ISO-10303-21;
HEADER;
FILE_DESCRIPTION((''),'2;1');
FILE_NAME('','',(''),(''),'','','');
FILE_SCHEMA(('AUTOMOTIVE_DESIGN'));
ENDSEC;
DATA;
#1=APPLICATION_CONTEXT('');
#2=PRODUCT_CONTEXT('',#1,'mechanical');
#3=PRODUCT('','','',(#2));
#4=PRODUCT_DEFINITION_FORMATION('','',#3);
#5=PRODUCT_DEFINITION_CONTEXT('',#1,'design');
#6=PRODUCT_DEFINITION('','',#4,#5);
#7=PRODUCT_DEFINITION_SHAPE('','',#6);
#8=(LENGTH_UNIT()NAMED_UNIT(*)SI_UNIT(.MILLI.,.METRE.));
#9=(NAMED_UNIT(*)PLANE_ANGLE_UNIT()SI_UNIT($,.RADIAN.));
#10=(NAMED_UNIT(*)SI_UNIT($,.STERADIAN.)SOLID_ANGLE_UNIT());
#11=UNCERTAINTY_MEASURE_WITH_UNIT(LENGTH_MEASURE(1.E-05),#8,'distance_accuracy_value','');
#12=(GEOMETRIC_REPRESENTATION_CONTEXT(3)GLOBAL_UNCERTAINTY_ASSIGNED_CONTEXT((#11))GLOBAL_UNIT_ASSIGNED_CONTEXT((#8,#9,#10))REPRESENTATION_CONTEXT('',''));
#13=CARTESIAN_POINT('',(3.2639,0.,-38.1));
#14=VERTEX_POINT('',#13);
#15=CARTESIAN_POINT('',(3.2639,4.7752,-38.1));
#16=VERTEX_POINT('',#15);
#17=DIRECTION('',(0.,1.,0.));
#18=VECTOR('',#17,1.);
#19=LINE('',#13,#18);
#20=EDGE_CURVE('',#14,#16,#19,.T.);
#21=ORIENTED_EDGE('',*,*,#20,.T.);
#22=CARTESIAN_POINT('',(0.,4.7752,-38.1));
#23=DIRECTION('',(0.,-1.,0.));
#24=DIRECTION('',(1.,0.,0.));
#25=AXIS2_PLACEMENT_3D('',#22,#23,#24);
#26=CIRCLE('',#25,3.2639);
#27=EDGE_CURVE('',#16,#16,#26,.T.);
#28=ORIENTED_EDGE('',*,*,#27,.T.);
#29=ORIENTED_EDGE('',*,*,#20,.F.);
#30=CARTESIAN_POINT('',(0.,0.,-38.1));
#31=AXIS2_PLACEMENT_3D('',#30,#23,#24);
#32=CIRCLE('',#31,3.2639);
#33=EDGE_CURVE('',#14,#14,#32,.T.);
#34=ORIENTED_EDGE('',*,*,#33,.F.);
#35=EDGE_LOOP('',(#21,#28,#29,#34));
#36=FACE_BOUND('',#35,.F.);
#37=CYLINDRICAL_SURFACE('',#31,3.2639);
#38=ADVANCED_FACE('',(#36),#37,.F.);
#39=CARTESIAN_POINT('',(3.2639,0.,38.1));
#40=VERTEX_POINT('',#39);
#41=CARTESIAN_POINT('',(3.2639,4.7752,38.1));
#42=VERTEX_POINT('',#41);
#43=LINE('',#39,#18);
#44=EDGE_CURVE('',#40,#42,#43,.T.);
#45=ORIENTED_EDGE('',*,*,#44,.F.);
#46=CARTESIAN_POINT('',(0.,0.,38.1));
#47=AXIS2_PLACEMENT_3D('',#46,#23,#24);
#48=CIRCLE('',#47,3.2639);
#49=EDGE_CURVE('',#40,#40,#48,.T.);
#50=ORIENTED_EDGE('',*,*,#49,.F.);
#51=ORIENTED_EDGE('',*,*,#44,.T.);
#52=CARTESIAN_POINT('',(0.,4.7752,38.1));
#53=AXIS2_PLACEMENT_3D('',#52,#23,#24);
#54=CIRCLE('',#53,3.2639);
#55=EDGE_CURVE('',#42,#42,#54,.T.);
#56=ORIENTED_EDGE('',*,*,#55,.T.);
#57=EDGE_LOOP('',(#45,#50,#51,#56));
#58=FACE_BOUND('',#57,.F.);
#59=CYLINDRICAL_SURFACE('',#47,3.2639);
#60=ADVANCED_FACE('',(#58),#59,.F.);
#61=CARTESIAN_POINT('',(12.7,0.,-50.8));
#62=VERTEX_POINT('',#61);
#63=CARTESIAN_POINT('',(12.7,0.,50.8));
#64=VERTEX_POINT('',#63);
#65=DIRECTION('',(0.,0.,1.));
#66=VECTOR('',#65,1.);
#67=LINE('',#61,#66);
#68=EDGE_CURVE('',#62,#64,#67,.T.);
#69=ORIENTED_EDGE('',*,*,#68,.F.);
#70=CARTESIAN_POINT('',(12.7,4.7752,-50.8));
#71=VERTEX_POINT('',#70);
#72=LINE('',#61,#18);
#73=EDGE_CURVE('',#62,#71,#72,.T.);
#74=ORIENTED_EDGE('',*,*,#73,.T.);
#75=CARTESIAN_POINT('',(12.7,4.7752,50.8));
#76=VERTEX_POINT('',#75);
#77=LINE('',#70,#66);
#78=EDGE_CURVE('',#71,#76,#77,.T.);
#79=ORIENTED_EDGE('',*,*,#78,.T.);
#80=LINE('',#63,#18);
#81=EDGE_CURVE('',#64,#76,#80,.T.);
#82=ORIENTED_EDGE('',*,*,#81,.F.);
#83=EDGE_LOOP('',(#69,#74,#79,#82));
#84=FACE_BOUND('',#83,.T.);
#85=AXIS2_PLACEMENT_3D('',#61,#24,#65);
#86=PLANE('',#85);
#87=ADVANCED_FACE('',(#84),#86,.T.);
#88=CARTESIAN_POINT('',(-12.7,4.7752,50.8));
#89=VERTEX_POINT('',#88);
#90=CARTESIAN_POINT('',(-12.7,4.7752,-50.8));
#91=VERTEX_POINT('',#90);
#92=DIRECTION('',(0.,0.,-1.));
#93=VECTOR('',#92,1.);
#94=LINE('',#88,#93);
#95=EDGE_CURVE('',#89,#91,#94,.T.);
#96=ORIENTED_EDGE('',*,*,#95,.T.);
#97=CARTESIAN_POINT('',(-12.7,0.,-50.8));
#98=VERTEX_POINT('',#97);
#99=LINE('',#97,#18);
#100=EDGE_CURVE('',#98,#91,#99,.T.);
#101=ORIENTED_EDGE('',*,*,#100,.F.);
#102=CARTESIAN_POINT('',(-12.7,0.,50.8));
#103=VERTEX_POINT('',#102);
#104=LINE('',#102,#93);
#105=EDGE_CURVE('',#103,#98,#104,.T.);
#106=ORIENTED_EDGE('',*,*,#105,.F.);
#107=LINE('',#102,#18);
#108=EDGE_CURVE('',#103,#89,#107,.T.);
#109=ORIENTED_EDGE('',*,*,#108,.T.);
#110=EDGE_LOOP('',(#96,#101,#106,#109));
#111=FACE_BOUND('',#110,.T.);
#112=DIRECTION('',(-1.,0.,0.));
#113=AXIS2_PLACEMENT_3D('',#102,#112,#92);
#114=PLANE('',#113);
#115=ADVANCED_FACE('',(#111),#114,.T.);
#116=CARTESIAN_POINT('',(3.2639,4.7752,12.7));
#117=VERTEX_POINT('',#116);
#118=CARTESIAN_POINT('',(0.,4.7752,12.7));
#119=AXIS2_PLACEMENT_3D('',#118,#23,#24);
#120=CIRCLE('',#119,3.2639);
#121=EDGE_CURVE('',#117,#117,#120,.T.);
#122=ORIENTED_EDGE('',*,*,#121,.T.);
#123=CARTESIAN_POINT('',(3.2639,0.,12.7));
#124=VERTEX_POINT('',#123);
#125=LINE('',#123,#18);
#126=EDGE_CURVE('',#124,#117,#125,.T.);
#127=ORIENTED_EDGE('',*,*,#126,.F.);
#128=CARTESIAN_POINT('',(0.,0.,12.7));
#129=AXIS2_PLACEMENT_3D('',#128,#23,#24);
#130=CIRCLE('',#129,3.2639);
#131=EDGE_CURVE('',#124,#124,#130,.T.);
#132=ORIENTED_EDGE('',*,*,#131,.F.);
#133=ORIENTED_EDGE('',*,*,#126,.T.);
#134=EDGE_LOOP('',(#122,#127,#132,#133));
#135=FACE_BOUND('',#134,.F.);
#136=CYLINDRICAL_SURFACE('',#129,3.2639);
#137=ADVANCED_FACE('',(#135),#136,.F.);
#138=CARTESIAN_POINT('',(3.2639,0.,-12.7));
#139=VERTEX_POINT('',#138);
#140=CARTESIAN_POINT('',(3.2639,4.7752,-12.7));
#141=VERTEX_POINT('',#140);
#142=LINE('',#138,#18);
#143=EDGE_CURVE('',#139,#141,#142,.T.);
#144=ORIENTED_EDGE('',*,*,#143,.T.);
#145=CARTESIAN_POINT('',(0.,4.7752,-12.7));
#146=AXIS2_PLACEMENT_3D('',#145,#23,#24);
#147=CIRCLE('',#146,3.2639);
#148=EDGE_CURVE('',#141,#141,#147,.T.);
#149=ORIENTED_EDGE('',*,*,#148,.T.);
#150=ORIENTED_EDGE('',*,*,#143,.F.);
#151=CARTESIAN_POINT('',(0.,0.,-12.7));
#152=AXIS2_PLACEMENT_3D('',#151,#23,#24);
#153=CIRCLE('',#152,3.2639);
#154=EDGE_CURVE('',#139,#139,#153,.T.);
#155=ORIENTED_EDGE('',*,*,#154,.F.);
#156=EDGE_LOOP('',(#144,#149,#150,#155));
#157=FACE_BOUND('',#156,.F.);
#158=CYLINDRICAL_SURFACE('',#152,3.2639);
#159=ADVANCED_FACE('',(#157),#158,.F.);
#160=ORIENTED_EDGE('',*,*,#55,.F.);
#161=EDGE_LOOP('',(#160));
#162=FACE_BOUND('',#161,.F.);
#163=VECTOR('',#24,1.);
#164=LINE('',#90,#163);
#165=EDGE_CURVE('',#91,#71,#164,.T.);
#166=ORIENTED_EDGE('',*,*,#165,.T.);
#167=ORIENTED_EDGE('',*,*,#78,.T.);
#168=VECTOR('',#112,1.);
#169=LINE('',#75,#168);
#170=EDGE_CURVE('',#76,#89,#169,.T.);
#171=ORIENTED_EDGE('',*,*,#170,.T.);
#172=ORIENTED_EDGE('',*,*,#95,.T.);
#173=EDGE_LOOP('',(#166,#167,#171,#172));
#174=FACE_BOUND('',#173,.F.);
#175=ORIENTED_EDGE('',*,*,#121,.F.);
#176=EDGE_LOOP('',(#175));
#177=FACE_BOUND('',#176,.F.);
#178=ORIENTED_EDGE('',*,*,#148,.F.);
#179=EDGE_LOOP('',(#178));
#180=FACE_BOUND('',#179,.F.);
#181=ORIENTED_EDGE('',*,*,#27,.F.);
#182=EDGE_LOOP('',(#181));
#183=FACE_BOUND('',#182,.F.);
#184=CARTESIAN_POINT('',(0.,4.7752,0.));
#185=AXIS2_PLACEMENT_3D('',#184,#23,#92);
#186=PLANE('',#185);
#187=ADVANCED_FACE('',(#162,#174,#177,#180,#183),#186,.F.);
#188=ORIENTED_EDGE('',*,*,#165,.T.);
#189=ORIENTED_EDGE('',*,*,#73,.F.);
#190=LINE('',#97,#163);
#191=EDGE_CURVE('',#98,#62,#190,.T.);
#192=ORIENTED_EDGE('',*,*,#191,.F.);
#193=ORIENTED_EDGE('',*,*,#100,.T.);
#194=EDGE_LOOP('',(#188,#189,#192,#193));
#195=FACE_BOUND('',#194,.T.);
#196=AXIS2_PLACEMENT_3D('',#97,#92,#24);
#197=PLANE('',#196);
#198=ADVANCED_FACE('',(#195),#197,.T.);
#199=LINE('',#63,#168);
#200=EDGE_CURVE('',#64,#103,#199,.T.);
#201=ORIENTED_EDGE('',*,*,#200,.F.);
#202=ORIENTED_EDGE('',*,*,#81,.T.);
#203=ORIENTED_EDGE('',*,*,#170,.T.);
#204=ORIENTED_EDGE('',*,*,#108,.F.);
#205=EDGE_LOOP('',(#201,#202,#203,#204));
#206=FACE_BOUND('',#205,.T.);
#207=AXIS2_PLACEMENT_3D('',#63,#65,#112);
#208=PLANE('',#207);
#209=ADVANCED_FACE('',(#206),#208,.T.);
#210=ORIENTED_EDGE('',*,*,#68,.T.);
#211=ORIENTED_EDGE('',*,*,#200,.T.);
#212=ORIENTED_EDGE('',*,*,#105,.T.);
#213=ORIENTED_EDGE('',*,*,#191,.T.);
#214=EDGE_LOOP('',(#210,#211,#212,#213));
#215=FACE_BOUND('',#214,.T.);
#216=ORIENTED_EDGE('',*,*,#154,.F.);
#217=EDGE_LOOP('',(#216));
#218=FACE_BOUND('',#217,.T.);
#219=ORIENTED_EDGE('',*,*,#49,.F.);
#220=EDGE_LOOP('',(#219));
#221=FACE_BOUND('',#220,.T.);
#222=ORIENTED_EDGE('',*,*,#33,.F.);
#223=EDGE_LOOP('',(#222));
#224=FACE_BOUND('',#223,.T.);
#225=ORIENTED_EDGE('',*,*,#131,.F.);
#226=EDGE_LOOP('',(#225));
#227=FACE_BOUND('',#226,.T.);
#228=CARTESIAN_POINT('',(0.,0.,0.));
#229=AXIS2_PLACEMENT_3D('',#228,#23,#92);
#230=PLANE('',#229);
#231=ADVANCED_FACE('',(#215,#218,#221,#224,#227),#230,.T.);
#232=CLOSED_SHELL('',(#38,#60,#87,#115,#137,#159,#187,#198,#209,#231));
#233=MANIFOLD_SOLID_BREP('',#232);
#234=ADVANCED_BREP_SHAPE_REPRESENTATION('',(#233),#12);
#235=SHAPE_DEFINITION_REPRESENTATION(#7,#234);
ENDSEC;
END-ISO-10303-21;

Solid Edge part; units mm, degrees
sketch "Sketch1" plane through (0, 0, 0) normal (0, -1, 0) x (1, 0, 0)
  circle A0 centre (0, 38.1) radius 3.2639
  line L0 (12.7, 50.8) -> (-12.7, 50.8)
  line L1 (-12.7, 50.8) -> (-12.7, -50.8)
  line L2 (-12.7, -50.8) -> (12.7, -50.8)
  line L3 (12.7, -50.8) -> (12.7, 50.8)
  circle A1 centre (0, 12.7) radius 3.2639
  circle A2 centre (0, -12.7) radius 3.2639
  circle A3 centre (0, -38.1) radius 3.2639
  dimension "D1" = 101.6
  dimension "D2" = 25.4
  dimension "D3" = 6.5278
  dimension "D4" = 25.4
extrude "Protrusion1" add sketch "Sketch1" against normal blind 4.7752
